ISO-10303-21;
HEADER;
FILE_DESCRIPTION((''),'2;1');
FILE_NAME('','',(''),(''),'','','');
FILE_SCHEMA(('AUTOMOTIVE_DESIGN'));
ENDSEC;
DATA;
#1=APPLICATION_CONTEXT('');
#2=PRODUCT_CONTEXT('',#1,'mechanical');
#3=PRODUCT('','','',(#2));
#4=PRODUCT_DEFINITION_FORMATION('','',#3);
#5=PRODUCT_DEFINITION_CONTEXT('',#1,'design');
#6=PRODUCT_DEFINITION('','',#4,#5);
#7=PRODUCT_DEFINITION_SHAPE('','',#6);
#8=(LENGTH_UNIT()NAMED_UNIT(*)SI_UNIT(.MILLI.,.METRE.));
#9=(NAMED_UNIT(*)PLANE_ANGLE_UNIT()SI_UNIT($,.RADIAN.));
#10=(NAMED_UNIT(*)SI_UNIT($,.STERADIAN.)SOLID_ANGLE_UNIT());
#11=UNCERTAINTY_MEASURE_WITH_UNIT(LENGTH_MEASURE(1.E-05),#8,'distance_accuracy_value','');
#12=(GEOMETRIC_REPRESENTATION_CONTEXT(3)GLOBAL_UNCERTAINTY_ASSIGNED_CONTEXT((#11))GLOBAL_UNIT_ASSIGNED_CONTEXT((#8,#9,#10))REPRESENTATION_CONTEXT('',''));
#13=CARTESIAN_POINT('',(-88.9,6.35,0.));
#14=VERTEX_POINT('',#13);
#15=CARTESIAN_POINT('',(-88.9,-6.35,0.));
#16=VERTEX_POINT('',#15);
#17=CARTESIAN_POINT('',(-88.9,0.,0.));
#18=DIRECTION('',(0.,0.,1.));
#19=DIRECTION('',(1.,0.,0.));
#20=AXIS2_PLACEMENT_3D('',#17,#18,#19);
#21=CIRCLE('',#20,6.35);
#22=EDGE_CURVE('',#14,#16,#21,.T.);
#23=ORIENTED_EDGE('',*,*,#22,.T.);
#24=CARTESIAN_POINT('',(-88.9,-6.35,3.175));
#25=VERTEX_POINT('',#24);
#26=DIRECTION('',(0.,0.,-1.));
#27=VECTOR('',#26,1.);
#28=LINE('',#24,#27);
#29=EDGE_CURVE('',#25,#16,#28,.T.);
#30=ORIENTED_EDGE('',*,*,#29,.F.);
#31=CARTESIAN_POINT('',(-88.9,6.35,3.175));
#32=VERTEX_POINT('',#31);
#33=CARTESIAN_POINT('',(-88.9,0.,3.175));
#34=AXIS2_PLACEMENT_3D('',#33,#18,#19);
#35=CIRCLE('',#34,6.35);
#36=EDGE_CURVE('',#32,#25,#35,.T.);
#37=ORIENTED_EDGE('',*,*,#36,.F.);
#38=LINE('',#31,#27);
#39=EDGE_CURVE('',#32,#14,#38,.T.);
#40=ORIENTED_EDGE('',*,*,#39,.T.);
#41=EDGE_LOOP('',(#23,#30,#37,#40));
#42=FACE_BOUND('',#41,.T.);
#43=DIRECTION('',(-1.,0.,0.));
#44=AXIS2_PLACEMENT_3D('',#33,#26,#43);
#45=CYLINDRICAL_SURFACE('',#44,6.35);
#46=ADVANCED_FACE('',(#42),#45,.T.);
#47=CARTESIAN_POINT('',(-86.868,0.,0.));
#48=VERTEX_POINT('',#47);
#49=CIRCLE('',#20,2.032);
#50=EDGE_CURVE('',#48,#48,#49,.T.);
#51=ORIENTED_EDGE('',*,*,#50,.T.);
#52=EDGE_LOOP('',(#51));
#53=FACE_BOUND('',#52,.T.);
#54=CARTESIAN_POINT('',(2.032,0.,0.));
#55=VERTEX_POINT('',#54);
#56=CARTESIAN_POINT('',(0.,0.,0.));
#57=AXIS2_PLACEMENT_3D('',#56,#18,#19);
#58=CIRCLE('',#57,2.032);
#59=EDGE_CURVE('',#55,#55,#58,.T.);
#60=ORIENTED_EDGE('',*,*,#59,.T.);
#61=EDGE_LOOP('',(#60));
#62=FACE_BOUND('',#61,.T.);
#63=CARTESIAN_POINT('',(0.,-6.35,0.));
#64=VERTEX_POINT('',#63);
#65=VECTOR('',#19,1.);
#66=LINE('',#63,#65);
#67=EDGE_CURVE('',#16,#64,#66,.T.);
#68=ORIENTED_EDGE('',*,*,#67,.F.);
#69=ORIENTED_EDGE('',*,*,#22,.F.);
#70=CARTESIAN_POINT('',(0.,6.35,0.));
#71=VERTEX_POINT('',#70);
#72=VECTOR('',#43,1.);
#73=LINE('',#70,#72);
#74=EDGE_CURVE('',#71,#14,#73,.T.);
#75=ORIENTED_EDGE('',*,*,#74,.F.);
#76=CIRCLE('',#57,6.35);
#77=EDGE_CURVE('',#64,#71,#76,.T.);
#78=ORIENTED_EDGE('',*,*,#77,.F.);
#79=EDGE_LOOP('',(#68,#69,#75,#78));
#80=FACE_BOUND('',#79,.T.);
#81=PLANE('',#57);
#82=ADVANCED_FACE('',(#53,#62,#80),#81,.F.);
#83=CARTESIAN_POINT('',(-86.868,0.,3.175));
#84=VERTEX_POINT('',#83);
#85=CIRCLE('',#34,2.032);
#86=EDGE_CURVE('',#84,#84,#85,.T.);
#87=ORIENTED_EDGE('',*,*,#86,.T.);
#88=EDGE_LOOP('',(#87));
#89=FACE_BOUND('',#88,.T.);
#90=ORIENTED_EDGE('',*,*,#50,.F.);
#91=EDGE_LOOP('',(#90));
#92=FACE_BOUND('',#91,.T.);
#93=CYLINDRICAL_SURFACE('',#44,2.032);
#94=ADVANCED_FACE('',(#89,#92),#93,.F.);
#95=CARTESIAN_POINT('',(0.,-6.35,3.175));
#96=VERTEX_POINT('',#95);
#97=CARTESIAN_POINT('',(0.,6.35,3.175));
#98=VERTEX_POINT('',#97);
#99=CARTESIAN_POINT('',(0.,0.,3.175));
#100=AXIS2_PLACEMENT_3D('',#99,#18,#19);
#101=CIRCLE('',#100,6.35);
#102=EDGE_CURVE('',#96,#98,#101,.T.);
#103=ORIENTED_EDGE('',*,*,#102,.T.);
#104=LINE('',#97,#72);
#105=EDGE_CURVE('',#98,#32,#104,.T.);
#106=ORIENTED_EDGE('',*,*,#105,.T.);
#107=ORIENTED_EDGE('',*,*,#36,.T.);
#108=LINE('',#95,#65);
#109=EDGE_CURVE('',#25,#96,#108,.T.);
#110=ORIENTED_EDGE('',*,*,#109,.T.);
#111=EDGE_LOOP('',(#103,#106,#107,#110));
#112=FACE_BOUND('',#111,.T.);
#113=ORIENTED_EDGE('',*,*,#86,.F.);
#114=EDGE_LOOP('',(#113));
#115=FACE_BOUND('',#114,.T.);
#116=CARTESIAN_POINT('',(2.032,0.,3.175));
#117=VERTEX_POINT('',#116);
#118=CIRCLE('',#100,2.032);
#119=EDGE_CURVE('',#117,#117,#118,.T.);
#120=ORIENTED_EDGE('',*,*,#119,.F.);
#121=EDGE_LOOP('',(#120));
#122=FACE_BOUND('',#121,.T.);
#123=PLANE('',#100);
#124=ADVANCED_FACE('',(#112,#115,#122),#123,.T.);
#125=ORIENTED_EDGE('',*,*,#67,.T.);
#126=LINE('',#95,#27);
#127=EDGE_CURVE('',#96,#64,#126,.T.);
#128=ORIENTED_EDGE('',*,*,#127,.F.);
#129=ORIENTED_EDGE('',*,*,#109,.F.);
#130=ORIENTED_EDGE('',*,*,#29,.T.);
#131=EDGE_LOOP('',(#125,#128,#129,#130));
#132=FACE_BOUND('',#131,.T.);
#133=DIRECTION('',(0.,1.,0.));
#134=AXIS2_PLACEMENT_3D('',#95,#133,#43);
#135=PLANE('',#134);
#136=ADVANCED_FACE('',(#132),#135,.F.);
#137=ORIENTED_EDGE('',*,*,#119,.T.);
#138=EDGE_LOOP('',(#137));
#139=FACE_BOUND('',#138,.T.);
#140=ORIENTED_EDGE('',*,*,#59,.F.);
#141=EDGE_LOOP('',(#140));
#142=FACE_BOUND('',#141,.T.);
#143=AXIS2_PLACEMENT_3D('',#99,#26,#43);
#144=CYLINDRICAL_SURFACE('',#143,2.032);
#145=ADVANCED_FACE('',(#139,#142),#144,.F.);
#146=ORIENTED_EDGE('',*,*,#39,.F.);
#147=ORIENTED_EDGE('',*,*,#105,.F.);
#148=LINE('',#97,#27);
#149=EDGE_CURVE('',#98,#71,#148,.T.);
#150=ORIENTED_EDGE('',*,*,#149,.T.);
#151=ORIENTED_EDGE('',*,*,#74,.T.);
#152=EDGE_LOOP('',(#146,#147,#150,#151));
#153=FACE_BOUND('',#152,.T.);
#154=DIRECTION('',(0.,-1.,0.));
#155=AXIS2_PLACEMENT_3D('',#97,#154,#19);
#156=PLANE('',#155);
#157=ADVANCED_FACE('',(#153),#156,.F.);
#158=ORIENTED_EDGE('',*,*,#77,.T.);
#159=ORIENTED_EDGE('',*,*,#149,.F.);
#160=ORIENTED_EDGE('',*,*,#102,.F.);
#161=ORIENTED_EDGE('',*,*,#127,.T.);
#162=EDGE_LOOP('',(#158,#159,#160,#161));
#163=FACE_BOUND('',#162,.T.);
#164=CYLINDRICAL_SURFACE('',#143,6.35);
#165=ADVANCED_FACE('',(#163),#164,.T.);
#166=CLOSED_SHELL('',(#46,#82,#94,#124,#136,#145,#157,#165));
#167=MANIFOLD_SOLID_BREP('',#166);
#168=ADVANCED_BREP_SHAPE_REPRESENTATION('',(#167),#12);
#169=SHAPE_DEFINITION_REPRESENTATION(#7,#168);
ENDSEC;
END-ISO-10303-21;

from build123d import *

# Parameters (mm, degrees)
SKETCH1_R           = 2.032
BOSS_EXTRUDE1_DEPTH = 3.175


with BuildPart() as part:
    # Sketch1 → Boss-Extrude1 (new body)
    with BuildSketch(Plane.XY):
        with BuildLine():
            Line((0, -6.35), (-88.9, -6.35))
            ThreePointArc((-88.9, -6.35), (-95.25, 0), (-88.9, 6.35))
            Line((-88.9, 6.35), (0, 6.35))
            ThreePointArc((0, 6.35), (6.35, 0), (0, -6.35))
        make_face()
        Circle(SKETCH1_R, mode=Mode.SUBTRACT)
        with Locations((-88.9, 0)):
            Circle(SKETCH1_R, mode=Mode.SUBTRACT)
    extrude(amount=BOSS_EXTRUDE1_DEPTH)


solid = part.part
